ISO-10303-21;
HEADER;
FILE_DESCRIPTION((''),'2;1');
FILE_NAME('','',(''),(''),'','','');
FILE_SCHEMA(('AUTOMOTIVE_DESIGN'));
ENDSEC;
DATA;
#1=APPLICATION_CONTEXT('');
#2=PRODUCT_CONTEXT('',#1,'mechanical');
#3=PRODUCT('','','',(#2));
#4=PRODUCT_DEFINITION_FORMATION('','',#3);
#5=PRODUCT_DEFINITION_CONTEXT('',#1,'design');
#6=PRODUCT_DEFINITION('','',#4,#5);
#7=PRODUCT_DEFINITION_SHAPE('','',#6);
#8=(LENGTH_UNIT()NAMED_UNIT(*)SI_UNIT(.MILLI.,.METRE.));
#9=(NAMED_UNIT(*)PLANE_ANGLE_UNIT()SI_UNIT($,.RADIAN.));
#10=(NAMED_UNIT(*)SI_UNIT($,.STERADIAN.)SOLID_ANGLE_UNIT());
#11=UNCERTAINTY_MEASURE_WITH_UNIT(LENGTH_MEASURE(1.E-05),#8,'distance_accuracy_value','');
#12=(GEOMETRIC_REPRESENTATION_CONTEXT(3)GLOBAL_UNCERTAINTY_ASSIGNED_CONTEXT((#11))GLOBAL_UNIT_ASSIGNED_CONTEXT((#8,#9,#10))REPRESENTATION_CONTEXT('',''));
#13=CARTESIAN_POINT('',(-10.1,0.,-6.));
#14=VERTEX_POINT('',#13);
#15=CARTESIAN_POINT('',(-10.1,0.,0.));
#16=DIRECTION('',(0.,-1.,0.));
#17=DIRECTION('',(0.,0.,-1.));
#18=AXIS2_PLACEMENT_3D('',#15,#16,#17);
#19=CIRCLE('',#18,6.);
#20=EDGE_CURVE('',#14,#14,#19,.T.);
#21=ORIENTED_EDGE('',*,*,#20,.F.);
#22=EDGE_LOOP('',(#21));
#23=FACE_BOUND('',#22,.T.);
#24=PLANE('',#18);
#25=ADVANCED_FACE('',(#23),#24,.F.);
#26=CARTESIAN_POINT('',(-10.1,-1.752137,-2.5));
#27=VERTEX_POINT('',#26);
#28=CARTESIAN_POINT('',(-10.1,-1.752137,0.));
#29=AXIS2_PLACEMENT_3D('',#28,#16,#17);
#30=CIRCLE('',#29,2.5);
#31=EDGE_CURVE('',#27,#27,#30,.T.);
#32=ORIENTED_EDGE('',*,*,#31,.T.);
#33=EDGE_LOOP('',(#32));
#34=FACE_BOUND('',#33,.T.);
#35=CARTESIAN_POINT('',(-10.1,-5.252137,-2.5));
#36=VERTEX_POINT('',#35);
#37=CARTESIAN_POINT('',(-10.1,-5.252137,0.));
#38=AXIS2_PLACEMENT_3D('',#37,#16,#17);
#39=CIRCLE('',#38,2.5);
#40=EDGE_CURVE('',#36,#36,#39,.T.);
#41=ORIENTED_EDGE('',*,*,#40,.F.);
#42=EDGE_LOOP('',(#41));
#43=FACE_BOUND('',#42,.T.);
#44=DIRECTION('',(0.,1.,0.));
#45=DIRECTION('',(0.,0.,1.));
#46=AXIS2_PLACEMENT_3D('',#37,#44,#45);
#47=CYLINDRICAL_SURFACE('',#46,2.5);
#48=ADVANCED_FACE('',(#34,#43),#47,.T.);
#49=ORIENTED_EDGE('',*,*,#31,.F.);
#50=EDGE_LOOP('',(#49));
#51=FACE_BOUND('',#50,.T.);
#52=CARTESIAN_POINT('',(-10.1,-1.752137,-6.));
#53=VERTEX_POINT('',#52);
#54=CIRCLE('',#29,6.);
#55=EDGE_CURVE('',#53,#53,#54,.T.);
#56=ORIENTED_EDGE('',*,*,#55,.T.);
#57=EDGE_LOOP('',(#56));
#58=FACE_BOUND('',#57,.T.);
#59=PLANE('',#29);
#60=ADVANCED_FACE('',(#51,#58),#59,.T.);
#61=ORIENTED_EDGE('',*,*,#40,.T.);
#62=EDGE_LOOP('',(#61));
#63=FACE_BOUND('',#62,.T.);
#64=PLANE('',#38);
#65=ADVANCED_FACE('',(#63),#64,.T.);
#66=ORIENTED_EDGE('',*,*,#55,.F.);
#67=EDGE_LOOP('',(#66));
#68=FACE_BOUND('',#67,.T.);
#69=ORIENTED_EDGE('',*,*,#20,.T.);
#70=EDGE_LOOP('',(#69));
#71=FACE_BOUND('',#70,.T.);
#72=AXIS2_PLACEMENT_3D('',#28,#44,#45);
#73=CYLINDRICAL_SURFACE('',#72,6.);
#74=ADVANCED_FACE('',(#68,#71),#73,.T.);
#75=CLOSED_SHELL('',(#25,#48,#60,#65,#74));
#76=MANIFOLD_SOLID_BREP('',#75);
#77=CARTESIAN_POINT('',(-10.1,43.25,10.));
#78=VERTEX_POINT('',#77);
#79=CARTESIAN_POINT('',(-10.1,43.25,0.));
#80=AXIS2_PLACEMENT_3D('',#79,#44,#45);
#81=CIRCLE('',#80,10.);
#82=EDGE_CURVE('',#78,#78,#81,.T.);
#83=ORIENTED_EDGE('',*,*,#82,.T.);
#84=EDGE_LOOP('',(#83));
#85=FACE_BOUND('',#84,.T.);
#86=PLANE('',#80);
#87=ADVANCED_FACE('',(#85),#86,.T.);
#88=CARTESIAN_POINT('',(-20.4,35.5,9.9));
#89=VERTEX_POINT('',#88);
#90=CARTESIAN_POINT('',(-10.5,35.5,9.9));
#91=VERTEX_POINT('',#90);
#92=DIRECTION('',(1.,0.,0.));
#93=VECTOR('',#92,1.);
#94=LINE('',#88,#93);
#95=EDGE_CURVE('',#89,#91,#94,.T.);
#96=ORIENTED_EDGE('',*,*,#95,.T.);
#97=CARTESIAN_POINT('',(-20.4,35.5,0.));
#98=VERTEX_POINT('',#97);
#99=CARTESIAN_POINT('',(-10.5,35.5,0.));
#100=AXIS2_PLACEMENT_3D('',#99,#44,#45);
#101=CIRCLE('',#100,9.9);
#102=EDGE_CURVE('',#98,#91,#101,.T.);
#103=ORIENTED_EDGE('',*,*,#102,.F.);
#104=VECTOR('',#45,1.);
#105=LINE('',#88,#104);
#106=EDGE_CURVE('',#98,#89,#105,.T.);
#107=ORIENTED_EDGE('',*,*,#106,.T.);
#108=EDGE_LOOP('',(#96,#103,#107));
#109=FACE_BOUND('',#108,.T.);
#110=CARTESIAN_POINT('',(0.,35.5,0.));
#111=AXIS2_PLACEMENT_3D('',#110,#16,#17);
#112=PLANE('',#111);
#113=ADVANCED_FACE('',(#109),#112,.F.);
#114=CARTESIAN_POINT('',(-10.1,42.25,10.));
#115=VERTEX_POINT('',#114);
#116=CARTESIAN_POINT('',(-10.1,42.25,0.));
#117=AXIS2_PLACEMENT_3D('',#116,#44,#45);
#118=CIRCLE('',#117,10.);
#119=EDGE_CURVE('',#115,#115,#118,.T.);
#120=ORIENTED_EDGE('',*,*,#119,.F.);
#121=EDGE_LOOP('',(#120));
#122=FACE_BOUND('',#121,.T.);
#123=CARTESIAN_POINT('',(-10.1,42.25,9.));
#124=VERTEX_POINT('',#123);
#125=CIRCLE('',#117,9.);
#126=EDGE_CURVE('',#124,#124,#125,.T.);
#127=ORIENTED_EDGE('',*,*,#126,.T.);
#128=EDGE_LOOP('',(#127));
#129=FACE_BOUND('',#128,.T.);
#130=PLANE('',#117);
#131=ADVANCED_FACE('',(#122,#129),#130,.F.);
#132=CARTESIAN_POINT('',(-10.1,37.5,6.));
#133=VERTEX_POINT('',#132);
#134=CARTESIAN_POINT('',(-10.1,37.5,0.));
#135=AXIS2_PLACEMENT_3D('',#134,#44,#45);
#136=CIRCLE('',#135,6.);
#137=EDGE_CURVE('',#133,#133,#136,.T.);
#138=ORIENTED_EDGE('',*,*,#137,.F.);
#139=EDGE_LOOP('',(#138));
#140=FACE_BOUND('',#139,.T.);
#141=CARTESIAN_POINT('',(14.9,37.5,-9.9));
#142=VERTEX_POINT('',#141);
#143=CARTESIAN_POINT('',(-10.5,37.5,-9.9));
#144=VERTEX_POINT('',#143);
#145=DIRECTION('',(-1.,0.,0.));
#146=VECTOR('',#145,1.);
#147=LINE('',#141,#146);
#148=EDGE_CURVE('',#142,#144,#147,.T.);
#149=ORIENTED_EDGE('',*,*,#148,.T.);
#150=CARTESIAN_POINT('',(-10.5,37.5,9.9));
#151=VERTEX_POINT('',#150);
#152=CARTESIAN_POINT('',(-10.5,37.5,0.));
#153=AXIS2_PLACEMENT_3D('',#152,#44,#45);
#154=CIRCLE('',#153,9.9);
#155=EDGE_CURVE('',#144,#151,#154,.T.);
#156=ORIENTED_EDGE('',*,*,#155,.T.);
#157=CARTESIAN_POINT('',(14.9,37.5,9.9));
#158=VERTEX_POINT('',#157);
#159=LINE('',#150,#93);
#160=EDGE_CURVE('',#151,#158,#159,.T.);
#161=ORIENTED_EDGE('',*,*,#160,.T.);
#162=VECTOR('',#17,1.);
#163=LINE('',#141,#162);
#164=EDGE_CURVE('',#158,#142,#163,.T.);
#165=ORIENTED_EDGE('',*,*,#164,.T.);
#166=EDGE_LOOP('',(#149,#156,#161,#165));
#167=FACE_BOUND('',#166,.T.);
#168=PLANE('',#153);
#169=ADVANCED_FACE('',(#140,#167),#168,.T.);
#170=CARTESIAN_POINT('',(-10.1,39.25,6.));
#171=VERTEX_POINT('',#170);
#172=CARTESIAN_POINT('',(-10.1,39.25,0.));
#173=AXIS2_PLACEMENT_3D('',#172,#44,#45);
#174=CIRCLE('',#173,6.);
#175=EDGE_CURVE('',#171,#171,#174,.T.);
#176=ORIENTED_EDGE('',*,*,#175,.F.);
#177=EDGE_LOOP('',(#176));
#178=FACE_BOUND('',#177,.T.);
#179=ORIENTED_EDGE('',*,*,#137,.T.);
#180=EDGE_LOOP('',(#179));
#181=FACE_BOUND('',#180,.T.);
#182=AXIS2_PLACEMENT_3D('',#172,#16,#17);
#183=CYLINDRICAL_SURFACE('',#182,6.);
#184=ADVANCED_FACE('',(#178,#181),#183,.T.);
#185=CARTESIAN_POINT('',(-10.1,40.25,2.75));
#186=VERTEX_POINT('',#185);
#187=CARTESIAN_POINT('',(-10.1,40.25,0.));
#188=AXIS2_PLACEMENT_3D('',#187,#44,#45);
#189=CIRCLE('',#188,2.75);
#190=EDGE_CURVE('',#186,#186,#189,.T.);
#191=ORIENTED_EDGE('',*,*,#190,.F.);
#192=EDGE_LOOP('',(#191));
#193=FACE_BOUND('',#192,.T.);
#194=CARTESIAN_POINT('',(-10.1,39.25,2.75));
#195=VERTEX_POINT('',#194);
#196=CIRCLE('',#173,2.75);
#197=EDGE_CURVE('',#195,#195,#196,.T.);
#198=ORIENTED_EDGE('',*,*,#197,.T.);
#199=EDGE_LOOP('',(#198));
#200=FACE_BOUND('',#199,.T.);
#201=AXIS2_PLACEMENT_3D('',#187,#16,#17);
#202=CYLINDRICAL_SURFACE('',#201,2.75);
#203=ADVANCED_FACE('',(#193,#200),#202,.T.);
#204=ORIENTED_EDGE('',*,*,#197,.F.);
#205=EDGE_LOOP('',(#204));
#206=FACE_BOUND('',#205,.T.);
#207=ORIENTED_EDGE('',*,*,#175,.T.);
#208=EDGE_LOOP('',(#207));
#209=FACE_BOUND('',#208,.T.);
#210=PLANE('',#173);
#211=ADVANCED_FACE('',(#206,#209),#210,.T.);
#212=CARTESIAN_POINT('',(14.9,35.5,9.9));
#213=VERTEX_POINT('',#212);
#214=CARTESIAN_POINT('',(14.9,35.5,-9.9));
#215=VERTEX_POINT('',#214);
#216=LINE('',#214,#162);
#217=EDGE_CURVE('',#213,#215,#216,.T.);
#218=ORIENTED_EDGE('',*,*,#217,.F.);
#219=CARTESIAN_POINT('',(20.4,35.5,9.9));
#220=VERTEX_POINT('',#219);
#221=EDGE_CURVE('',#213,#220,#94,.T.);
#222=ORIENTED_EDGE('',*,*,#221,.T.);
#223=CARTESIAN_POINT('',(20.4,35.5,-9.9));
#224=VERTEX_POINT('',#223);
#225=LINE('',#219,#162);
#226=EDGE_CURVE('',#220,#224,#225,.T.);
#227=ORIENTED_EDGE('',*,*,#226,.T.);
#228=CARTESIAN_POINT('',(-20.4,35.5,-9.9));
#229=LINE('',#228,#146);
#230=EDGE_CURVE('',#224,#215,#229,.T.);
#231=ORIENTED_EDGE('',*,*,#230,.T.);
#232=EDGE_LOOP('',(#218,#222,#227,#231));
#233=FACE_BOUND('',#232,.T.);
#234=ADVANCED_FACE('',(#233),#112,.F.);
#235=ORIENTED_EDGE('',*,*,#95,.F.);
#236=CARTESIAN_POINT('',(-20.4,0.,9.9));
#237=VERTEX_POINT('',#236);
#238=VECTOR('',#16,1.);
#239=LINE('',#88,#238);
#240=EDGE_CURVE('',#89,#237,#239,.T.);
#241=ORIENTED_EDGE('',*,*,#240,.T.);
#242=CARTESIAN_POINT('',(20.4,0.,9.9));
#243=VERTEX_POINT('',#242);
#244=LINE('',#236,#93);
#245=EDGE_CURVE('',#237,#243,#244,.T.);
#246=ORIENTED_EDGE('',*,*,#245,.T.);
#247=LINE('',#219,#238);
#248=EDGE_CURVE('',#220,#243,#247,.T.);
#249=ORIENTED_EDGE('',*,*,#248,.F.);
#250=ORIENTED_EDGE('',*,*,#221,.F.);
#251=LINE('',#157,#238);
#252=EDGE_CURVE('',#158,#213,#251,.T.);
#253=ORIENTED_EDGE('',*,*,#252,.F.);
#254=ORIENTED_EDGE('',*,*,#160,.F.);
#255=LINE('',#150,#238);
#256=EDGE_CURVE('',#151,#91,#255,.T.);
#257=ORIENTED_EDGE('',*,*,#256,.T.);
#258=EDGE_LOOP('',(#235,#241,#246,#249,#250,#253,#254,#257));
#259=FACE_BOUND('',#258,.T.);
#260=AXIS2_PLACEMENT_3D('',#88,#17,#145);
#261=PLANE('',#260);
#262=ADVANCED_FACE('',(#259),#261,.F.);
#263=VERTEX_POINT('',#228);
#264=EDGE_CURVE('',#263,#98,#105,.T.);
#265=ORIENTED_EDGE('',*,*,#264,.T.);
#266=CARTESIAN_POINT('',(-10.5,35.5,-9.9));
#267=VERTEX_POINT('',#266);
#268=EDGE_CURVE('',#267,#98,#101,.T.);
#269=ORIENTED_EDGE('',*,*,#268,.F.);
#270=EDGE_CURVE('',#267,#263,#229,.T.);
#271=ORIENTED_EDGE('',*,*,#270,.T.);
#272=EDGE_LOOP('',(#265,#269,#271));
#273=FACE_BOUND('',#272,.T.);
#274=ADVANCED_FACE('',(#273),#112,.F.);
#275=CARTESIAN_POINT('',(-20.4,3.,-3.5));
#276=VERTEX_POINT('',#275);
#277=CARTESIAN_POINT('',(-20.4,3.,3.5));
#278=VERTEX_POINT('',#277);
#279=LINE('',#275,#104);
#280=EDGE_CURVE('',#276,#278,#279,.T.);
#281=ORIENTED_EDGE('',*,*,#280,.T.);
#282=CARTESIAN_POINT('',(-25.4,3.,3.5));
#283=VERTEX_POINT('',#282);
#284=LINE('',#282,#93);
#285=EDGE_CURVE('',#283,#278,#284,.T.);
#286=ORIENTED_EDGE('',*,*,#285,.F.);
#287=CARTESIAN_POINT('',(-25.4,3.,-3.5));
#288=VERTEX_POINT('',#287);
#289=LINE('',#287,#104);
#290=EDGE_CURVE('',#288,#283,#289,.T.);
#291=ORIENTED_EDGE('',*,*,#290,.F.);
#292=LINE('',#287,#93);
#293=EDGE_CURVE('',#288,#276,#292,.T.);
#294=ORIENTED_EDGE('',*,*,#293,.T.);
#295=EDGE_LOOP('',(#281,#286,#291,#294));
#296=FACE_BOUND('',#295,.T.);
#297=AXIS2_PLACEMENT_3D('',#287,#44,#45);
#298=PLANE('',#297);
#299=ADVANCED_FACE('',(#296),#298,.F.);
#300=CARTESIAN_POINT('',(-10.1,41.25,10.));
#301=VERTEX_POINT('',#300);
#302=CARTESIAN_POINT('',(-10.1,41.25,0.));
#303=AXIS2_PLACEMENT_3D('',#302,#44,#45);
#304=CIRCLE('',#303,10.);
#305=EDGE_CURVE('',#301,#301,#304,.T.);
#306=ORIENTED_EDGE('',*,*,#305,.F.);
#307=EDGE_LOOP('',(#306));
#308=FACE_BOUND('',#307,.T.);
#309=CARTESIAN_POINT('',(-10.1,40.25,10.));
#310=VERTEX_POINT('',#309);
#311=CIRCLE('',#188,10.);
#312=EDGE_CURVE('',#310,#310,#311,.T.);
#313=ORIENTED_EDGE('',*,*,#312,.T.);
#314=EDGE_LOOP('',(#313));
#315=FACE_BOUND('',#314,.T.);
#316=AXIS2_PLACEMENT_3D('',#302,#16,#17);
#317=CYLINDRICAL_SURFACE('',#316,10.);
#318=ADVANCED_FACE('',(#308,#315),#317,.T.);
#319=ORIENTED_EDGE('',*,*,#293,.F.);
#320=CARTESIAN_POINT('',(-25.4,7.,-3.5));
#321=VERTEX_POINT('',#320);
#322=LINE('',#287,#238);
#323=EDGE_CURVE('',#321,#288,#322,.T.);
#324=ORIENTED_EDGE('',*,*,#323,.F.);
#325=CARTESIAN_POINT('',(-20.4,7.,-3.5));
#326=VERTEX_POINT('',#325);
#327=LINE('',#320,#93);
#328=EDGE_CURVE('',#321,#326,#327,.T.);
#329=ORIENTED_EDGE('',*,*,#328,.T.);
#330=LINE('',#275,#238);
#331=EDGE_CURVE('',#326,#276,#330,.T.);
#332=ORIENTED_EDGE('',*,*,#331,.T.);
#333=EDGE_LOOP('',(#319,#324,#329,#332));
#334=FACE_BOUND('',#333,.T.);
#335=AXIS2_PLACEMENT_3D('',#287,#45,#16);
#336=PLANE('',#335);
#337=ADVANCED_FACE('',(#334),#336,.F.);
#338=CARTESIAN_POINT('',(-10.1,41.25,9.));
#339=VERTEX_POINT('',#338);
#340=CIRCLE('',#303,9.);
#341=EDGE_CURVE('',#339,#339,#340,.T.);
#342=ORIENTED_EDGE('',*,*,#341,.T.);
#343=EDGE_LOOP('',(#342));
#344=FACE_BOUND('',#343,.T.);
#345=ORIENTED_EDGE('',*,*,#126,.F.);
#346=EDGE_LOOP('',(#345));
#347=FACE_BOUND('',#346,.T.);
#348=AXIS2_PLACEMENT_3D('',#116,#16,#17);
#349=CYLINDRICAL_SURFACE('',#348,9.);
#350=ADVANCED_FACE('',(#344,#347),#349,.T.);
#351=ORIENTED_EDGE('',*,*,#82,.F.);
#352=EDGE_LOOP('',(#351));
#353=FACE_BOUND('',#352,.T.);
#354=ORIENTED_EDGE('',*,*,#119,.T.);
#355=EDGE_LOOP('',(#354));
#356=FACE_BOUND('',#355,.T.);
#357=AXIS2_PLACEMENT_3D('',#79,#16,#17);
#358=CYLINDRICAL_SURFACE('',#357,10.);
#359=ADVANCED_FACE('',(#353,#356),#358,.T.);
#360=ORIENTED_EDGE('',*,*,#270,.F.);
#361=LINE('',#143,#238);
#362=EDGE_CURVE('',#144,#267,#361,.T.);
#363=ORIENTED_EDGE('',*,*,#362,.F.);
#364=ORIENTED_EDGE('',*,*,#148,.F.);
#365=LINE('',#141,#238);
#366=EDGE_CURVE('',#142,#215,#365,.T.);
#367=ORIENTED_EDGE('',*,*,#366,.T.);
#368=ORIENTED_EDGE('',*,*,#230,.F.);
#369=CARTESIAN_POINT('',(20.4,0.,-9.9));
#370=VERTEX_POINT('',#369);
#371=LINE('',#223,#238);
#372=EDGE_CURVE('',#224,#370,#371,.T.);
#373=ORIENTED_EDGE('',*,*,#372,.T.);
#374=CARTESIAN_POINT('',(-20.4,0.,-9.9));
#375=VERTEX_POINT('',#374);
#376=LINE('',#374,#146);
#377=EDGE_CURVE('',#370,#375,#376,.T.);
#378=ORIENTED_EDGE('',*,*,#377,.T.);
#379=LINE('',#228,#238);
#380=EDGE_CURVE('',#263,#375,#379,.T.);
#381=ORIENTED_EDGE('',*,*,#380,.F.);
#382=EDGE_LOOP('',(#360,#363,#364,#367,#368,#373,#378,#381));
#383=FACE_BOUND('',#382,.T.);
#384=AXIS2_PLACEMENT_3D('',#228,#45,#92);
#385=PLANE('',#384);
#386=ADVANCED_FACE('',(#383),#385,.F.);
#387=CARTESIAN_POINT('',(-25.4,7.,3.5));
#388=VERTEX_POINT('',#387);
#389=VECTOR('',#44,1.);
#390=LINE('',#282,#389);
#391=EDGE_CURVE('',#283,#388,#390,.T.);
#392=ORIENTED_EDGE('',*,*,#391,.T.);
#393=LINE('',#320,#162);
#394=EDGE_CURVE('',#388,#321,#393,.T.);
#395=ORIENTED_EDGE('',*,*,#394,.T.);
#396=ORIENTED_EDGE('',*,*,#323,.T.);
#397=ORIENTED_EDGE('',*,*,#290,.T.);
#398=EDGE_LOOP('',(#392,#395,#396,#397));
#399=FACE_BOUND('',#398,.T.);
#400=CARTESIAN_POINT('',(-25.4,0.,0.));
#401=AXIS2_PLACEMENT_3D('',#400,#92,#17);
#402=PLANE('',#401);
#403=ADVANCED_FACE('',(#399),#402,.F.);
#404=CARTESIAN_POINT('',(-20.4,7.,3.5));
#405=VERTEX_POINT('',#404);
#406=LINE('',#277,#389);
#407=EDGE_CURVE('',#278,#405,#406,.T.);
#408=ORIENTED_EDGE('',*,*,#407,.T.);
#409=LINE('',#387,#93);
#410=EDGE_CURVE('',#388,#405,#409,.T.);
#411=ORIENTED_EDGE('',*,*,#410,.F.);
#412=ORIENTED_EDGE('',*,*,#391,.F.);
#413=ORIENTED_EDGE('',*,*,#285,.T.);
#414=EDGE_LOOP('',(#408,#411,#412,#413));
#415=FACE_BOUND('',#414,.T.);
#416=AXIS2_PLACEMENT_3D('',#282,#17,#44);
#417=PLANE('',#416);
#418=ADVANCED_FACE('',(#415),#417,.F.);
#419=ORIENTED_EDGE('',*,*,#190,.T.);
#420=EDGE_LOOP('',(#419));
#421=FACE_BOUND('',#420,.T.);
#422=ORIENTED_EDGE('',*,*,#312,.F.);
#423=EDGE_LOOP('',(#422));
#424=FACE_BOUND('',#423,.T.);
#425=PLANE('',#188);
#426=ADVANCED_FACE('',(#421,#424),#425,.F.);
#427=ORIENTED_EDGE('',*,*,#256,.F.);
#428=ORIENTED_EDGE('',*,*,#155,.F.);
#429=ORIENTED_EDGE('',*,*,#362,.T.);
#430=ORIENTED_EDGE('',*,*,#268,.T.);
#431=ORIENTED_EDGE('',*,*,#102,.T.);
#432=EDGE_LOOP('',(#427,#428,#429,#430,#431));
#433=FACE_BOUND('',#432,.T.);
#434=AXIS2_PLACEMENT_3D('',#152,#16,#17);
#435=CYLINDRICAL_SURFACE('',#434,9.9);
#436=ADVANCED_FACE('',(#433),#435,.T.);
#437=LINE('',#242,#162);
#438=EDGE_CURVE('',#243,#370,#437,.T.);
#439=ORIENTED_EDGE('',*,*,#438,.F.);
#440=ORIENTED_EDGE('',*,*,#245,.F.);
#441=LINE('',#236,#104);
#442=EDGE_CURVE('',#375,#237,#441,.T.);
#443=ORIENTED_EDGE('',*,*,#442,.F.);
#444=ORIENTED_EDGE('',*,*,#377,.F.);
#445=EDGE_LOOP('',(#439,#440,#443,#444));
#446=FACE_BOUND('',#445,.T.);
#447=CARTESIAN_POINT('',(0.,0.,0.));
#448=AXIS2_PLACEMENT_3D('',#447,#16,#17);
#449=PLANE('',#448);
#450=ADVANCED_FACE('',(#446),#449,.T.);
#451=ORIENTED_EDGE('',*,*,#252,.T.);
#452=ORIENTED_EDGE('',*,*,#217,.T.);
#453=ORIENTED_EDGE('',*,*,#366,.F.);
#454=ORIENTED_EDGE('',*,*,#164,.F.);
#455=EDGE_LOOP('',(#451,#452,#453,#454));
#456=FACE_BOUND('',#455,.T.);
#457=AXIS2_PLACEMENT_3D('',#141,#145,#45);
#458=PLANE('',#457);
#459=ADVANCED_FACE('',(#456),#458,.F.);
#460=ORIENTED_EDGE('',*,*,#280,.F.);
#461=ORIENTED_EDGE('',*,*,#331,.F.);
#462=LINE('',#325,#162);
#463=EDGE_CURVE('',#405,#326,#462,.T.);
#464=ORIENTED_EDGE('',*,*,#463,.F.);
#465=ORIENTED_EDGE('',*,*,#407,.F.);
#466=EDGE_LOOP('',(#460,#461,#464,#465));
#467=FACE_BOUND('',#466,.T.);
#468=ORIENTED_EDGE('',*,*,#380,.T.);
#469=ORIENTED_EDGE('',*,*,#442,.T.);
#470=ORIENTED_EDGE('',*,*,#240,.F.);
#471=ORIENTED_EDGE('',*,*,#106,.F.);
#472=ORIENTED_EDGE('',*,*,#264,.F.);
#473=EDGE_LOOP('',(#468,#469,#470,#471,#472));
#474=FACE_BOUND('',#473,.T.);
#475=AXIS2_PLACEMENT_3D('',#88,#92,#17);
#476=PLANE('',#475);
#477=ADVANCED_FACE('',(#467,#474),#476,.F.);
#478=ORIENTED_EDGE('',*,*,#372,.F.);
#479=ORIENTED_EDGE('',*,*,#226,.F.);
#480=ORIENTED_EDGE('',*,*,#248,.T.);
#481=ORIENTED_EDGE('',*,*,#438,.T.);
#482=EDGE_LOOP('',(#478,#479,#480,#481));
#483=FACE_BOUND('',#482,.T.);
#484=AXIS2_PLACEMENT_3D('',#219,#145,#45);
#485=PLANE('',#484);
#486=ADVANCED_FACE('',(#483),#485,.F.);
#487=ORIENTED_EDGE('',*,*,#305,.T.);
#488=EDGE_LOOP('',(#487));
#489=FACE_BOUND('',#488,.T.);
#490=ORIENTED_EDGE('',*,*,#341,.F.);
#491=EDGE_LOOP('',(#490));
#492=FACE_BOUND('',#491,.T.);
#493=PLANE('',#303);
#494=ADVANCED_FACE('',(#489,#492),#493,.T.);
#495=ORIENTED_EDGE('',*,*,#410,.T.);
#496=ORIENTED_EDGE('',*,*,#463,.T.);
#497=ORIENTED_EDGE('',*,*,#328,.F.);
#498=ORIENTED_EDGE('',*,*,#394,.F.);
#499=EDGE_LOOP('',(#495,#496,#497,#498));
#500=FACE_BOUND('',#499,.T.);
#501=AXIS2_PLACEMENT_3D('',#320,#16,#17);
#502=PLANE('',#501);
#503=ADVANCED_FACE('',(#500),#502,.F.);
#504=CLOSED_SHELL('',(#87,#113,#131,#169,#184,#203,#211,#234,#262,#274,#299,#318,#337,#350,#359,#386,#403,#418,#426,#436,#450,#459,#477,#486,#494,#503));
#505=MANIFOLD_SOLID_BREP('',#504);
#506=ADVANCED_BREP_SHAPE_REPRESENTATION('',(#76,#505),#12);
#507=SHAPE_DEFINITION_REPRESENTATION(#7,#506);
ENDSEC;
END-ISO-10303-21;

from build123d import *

# Parameters (mm, degrees)
SKETCH1_W            = 40.8
SKETCH1_H            = 19.8
BOSS_EXTRUDE1_DEPTH  = 35.5
BOSS_EXTRUDE2_DEPTH  = 2
SKETCH2_R            = 6
BOSS_EXTRUDE3_DEPTH  = 1.752137049
SKETCH5_R            = 6
BOSS_EXTRUDE4_DEPTH  = 1.75
SKETCH6_R            = 2.5
BOSS_EXTRUDE5_DEPTH  = 3.5
SKETCH7_R            = 2.75
BOSS_EXTRUDE6_DEPTH  = 1
SKETCH8_W            = 7
SKETCH8_H            = 4
BOSS_EXTRUDE7_DEPTH  = 5
SKETCH10_R           = 10
BOSS_EXTRUDE9_DEPTH  = 1
SKETCH14_R           = 9
BOSS_EXTRUDE10_DEPTH = 1
SKETCH15_R           = 10
BOSS_EXTRUDE11_DEPTH = 1


with BuildPart() as part:
    # Sketch1 → Boss-Extrude1 (new body)
    with BuildSketch(Plane(origin=(0, 0, 0), x_dir=(1, 0, 0), z_dir=(0, 1, 0))):
        Rectangle(SKETCH1_W, SKETCH1_H)
    extrude(amount=BOSS_EXTRUDE1_DEPTH)

    # Sketch4 → Boss-Extrude2 (add)
    with BuildSketch(Plane(origin=(0, 35.5, 0), x_dir=(1, 0, 0), z_dir=(0, 1, 0))):
        with BuildLine():
            Line((14.9, 9.9), (14.9, -9.9))
            Line((14.9, -9.9), (-10.5, -9.9))
            ThreePointArc((-10.5, -9.9), (-20.4, 0), (-10.5, 9.9))
            Line((-10.5, 9.9), (14.9, 9.9))
        make_face()
    extrude(amount=BOSS_EXTRUDE2_DEPTH)

    # Sketch5 → Boss-Extrude4 (add)
    with BuildSketch(Plane(origin=(0, 37.5, 0), x_dir=(1, 0, 0), z_dir=(0, 1, 0))):
        with Locations(Location((-10.1, 0, 0), (0, 0, 90))):
            Circle(SKETCH5_R)
    extrude(amount=BOSS_EXTRUDE4_DEPTH)

    # Sketch7 → Boss-Extrude6 (add)
    with BuildSketch(Plane(origin=(0, 39.25, 0), x_dir=(1, 0, 0), z_dir=(0, 1, 0))):
        with Locations(Location((-10.1, 0, 0), (0, 0, 270))):
            Circle(SKETCH7_R)
    extrude(amount=BOSS_EXTRUDE6_DEPTH)

    # Sketch8 → Boss-Extrude7 (add)
    with BuildSketch(Plane.ZY.offset(20.4)):
        with Locations((0, 5)):
            Rectangle(SKETCH8_W, SKETCH8_H)
    extrude(amount=BOSS_EXTRUDE7_DEPTH)

    # Sketch10 → Boss-Extrude9 (add)
    with BuildSketch(Plane(origin=(0, 40.25, 0), x_dir=(1, 0, 0), z_dir=(0, 1, 0))):
        with Locations(Location((-10.1, 0, 0), (0, 0, 270))):
            Circle(SKETCH10_R)
    extrude(amount=BOSS_EXTRUDE9_DEPTH)

    # Sketch14 → Boss-Extrude10 (add)
    with BuildSketch(Plane(origin=(0, 41.25, 0), x_dir=(1, 0, 0), z_dir=(0, 1, 0))):
        with Locations(Location((-10.1, 0, 0), (0, 0, 270))):
            Circle(SKETCH14_R)
    extrude(amount=BOSS_EXTRUDE10_DEPTH)

    # Sketch15 → Boss-Extrude11 (add)
    with BuildSketch(Plane(origin=(0, 42.25, 0), x_dir=(1, 0, 0), z_dir=(0, 1, 0))):
        with Locations(Location((-10.1, 0, 0), (0, 0, 270))):
            Circle(SKETCH15_R)
    extrude(amount=BOSS_EXTRUDE11_DEPTH)


with BuildPart() as body_2:
    # Sketch2 → Boss-Extrude3 (new body)
    with BuildSketch(Plane.XZ):
        with Locations(Location((-10.1, 0, 0), (0, 0, 270))):
            Circle(SKETCH2_R)
    extrude(amount=BOSS_EXTRUDE3_DEPTH)

    # Sketch6 → Boss-Extrude5 (add)
    with BuildSketch(Plane.XZ.offset(1.752137049)):
        with Locations(Location((-10.1, 0, 0), (0, 0, 270))):
            Circle(SKETCH6_R)
    extrude(amount=BOSS_EXTRUDE5_DEPTH)


solid = Compound([part.part, body_2.part])
